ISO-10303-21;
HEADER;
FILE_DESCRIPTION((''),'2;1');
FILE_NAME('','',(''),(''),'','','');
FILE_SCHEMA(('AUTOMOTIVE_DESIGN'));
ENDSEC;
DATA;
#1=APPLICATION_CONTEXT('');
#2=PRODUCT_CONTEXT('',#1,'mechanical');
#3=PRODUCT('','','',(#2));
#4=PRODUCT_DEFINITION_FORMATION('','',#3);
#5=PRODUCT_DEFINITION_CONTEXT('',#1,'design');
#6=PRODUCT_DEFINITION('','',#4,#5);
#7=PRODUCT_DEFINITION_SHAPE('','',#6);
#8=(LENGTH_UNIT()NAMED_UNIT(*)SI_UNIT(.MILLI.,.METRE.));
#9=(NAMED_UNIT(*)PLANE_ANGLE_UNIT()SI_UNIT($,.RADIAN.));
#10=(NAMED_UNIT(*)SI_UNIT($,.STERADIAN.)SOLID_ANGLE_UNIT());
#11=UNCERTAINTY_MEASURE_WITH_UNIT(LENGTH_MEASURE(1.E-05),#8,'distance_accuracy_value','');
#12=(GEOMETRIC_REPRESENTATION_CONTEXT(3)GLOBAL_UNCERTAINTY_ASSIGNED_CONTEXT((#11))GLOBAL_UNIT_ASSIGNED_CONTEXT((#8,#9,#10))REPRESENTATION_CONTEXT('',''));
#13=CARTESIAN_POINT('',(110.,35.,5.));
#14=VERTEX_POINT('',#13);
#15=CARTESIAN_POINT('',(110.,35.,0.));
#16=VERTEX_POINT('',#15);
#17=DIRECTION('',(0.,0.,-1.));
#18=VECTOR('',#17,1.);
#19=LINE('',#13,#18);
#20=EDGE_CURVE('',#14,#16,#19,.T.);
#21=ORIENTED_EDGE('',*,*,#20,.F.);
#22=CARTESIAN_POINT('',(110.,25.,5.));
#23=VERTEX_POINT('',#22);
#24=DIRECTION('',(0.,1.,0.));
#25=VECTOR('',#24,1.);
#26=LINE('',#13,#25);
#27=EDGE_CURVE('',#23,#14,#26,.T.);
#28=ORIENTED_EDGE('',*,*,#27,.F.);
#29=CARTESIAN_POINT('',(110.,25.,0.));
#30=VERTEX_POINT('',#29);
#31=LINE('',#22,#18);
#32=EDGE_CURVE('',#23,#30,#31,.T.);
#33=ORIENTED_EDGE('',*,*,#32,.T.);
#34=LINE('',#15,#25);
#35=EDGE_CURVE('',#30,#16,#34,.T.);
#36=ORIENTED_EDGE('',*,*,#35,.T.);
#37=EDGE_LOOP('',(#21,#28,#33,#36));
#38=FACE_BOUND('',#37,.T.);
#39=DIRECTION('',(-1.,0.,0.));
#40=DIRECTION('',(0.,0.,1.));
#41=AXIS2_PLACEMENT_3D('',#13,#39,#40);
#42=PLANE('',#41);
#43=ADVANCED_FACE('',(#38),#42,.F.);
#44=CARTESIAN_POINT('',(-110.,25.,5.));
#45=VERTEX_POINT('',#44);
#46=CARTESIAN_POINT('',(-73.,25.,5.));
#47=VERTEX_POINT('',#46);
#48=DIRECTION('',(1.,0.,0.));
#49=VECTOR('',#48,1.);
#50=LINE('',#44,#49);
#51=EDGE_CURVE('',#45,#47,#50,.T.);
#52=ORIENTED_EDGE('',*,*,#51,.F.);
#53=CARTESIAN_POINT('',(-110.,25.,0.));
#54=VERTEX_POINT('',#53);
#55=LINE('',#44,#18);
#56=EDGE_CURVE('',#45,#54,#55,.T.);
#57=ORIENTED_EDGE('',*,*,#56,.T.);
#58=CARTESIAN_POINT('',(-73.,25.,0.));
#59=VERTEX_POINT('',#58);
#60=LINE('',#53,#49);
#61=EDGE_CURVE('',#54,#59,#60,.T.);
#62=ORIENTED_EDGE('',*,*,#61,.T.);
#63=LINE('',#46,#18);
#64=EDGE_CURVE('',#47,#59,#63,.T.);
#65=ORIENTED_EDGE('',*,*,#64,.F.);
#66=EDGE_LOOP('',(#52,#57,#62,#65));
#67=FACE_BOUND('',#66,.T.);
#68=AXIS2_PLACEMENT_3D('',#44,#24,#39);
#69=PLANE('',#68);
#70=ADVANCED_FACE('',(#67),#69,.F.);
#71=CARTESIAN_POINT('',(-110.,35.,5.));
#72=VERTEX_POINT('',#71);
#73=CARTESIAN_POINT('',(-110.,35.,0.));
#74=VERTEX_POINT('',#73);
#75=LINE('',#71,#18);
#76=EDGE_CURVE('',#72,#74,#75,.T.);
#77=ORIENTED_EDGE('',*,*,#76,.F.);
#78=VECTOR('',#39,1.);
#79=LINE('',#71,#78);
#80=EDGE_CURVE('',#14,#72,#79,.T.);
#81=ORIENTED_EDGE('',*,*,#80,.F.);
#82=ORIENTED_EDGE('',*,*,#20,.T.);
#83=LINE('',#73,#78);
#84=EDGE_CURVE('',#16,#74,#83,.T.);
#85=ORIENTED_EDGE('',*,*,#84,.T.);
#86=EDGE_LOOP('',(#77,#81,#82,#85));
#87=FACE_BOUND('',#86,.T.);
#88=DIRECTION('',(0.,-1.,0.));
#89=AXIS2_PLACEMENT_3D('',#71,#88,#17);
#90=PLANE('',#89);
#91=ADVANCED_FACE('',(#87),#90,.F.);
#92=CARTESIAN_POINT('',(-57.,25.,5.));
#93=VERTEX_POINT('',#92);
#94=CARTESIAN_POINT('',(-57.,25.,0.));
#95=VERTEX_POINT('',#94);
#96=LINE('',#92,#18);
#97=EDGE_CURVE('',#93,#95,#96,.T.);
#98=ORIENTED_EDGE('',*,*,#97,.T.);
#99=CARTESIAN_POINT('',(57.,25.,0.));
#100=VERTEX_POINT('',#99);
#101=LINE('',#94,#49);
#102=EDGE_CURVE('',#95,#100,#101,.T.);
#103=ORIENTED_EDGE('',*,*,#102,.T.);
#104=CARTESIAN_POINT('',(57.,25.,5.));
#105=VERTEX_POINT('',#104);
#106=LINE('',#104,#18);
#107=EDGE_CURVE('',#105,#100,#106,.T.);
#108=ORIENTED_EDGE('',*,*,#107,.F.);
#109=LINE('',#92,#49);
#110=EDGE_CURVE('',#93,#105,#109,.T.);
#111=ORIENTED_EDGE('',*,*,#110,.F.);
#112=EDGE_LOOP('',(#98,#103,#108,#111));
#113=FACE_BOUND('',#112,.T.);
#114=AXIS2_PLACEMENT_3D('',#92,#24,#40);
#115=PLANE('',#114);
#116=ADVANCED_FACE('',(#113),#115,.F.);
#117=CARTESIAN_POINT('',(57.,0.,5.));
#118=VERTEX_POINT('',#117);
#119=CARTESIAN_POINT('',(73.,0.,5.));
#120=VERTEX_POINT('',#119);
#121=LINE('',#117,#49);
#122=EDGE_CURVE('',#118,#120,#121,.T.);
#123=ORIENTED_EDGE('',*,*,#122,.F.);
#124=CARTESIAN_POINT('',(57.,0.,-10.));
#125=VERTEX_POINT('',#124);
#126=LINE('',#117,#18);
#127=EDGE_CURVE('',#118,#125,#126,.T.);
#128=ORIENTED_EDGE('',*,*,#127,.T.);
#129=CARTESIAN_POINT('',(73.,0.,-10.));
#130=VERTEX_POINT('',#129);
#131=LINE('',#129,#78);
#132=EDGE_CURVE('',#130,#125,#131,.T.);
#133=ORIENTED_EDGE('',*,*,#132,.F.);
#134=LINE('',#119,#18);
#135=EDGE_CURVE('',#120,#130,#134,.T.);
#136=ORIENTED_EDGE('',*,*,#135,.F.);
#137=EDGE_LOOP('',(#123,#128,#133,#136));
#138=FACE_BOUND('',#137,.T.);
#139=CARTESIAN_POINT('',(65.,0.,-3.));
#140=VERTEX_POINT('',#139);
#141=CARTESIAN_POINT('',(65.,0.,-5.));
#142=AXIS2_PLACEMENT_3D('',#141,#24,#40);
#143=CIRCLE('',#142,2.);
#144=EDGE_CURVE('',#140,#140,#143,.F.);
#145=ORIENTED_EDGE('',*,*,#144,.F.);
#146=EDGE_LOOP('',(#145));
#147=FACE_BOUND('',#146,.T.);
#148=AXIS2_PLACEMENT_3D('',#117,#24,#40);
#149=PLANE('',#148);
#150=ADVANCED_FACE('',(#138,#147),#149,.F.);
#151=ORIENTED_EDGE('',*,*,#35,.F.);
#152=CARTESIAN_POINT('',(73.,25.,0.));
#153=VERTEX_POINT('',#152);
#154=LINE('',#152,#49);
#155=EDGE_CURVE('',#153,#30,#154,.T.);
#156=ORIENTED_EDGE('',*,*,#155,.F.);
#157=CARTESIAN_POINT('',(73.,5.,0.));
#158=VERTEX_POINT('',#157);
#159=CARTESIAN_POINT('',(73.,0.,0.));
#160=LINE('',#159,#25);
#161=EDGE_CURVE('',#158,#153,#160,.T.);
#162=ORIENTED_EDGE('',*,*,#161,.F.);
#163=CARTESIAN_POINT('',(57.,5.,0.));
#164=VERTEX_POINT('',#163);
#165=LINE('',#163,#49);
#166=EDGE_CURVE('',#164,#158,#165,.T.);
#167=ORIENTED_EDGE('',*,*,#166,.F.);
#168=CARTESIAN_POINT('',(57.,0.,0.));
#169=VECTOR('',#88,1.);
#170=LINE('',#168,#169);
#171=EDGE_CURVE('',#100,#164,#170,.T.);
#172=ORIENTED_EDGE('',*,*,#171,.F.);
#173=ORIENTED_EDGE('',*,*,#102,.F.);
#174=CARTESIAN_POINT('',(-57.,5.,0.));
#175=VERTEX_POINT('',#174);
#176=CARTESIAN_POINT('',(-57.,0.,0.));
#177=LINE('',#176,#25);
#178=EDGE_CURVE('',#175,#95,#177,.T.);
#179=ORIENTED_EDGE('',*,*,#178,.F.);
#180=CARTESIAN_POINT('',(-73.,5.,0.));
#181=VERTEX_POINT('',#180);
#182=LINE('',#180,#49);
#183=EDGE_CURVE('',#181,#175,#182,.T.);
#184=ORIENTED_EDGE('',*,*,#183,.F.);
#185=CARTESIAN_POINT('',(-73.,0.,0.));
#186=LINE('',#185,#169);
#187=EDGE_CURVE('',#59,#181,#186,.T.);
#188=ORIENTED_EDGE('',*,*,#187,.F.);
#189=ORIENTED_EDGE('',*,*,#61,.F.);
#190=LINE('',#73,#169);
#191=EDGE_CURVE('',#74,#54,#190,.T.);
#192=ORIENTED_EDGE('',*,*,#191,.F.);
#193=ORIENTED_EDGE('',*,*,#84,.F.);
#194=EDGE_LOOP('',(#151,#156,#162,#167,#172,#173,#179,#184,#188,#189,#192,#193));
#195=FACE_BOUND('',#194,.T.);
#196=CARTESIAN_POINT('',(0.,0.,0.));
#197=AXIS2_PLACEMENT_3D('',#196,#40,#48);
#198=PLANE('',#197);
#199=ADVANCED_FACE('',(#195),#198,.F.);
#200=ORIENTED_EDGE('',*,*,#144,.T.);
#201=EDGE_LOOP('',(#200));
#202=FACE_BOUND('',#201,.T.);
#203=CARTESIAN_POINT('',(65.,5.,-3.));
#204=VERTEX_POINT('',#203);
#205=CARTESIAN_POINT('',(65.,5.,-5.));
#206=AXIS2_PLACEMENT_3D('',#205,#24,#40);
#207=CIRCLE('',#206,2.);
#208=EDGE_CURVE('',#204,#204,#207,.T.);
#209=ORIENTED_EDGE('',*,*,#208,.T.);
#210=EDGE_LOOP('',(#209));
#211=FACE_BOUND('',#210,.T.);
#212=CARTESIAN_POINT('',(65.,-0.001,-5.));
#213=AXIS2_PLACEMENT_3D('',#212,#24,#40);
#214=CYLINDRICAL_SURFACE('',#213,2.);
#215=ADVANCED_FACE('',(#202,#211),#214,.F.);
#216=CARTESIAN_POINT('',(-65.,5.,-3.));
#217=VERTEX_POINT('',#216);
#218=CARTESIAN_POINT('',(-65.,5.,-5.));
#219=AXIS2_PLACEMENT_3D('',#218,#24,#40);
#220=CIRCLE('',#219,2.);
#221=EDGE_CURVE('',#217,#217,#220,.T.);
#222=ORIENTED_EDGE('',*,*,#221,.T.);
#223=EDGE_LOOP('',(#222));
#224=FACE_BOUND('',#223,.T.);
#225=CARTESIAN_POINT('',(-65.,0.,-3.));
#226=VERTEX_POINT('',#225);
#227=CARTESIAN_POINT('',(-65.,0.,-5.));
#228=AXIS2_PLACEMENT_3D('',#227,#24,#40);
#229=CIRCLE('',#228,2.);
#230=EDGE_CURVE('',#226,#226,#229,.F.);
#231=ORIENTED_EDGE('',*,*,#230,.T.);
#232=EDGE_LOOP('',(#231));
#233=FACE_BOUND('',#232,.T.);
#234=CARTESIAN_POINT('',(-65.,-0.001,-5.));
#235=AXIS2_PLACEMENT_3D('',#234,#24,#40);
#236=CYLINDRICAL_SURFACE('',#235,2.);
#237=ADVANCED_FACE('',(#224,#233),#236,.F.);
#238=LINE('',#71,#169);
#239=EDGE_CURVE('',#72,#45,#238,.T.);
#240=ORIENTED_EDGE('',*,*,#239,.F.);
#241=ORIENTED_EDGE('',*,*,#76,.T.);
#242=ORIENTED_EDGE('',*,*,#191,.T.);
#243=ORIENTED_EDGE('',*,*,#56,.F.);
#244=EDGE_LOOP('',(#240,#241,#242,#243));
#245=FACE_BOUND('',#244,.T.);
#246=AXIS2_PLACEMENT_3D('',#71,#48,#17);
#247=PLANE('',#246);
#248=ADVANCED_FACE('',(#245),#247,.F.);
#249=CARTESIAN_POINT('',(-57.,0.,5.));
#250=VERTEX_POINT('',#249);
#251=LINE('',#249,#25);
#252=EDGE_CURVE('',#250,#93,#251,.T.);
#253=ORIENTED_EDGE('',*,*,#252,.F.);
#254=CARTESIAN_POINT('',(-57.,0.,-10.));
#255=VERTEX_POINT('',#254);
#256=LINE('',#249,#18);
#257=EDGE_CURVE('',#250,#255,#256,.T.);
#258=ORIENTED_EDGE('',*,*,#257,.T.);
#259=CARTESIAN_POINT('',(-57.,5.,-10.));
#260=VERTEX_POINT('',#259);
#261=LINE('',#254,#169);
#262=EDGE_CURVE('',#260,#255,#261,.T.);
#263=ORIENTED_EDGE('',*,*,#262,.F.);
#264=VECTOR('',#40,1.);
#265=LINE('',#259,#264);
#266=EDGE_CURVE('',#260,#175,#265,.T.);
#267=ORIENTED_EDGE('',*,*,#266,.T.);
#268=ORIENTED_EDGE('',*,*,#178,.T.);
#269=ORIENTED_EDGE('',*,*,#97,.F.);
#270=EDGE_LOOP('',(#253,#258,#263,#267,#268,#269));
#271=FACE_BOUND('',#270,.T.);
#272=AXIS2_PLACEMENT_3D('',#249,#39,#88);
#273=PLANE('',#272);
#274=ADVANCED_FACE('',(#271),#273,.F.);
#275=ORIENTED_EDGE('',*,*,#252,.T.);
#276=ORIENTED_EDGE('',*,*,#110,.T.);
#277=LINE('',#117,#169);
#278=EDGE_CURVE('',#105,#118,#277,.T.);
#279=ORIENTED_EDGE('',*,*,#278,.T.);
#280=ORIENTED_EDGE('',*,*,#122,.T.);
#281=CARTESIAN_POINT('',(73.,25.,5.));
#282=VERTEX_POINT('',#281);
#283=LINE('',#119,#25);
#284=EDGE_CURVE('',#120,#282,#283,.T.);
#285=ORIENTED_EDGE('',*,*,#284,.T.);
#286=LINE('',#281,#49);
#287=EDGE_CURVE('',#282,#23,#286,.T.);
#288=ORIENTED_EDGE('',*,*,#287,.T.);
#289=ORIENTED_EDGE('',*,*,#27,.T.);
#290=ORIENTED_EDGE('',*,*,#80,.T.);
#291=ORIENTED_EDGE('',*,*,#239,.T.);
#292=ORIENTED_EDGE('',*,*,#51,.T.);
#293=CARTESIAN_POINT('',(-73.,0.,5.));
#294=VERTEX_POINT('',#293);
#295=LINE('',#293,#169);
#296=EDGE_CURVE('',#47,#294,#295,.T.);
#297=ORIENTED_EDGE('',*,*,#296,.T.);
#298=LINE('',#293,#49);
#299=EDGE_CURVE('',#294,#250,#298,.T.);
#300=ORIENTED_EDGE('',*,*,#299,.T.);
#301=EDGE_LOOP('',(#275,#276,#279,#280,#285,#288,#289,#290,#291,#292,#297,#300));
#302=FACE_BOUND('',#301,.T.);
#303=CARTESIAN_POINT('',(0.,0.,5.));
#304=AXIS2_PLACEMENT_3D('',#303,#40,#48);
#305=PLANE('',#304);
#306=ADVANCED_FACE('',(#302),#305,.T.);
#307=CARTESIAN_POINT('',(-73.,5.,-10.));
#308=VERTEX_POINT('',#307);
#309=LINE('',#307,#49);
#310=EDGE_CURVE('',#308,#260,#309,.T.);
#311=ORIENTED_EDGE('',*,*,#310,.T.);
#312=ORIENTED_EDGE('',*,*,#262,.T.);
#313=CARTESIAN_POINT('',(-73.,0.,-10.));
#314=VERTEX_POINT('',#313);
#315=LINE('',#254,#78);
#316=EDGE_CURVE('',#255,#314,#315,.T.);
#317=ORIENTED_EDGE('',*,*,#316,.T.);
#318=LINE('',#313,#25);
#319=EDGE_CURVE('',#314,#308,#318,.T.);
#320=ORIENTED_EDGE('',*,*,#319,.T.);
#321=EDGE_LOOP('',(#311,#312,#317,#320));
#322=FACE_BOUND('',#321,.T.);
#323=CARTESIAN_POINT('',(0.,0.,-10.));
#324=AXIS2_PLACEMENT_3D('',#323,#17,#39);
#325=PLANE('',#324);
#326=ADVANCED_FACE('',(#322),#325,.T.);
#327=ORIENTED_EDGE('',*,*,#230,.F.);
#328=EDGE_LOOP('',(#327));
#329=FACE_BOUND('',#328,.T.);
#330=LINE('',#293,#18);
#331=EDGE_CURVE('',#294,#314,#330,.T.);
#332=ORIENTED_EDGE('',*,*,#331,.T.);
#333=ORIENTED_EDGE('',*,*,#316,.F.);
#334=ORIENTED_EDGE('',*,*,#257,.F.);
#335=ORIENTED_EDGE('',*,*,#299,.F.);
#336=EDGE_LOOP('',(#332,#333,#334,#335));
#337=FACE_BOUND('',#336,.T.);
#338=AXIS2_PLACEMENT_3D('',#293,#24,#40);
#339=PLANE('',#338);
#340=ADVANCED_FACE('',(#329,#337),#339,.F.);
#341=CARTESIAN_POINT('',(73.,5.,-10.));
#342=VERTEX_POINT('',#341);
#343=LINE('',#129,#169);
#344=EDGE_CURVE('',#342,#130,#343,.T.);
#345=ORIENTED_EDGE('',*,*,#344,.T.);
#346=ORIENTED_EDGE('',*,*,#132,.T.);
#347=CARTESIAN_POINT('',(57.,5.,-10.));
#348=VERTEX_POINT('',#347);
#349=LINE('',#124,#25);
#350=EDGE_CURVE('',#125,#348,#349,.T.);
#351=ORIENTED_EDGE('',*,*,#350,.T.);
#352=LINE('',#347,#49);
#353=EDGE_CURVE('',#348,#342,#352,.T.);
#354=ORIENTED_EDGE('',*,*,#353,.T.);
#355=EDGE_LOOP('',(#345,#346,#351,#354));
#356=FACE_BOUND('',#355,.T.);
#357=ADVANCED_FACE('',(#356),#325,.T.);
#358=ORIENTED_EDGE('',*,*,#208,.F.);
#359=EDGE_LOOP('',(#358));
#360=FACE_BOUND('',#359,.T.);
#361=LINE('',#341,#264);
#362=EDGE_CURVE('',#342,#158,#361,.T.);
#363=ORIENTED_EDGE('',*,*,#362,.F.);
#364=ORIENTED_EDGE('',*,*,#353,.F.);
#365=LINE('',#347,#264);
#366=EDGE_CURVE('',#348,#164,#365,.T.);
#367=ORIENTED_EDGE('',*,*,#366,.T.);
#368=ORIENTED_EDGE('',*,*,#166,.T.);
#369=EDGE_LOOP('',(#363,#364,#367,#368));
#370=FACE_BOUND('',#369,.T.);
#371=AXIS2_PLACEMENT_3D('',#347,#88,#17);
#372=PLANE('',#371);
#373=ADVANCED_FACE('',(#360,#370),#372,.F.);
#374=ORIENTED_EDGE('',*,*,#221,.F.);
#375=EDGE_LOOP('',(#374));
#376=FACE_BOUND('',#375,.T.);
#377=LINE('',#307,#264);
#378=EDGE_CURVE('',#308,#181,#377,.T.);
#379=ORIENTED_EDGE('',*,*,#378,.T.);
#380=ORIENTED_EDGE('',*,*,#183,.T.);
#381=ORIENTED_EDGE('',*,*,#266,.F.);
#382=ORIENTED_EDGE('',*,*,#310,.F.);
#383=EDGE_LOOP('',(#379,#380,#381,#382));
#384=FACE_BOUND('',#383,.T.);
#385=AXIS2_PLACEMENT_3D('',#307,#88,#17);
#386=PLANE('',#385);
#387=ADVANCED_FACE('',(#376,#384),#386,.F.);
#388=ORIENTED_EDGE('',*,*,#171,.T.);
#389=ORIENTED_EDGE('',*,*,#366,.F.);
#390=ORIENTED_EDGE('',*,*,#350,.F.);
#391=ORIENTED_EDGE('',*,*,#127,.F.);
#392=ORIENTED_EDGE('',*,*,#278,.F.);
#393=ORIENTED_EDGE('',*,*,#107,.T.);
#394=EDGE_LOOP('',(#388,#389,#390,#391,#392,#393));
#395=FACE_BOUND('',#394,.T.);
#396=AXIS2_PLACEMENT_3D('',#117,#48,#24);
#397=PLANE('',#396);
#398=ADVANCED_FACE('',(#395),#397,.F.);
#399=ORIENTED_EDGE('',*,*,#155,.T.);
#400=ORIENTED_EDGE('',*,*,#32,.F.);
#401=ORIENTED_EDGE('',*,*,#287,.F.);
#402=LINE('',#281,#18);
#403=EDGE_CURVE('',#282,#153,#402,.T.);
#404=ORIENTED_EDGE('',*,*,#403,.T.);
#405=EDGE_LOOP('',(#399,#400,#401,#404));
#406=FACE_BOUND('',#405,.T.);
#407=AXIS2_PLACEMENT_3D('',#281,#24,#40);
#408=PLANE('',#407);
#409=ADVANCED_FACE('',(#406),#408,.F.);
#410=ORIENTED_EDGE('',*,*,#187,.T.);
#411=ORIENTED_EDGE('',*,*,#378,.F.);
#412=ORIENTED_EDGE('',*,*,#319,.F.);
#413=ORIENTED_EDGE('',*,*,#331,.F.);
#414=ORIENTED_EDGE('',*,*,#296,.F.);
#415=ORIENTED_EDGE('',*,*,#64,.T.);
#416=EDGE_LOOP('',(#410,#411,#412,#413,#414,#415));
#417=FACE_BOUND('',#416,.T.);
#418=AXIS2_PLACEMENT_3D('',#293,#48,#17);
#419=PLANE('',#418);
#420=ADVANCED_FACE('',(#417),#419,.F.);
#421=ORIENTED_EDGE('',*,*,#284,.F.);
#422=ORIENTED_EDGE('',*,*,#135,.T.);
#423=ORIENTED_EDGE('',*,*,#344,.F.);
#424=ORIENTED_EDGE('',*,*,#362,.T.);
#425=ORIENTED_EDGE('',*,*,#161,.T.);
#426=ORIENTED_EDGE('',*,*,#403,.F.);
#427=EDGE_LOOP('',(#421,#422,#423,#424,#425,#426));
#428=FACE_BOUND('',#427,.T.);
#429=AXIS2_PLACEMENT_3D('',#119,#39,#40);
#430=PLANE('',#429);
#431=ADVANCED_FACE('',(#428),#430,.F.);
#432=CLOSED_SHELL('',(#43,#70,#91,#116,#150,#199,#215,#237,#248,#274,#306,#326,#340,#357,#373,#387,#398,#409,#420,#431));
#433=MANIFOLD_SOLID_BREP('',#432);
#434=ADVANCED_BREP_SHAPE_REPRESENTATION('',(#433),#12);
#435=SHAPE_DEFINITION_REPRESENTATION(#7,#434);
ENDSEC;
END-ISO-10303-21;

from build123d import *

# Parameters (mm, degrees)
SALIENTE_EXTRUIR1_DEPTH = 5
CROQUIS2_W              = 16
CROQUIS2_H              = 5
SALIENTE_EXTRUIR2_DEPTH = 10
CORTAR_EXTRUIR1_REACH   = 7
CROQUIS3_R              = 2


with BuildPart() as part:
    # Croquis1 → Saliente-Extruir1 (new body)
    with BuildSketch(Plane.XY):
        Polygon((-110, 25), (-73, 25), (-73, 0), (-57, 0), (-57, 25), (57, 25), (57, 0), (73, 0), (73, 25), (110, 25), (110, 35), (-110, 35), align=None)
    extrude(amount=SALIENTE_EXTRUIR1_DEPTH)

    # Croquis2 → Saliente-Extruir2 (add)
    with BuildSketch(Plane(origin=(0, 0, 0), x_dir=(-1, 0, 0), z_dir=(0, 0, -1))):
        with Locations((65, 2.5)):
            Rectangle(CROQUIS2_W, CROQUIS2_H)
        with Locations((-65, 2.5)):
            Rectangle(CROQUIS2_W, CROQUIS2_H)
    extrude(amount=SALIENTE_EXTRUIR2_DEPTH)

    # Croquis3 → Cortar-Extruir1 (cut, up to next)
    with BuildSketch(Plane(origin=(0, 5, 0), x_dir=(1, 0, 0), z_dir=(0, 1, 0)), mode=Mode.PRIVATE) as cortar_extruir1_sk1:
        with Locations((65, 5)):
            Circle(CROQUIS3_R)
    cortar_extruir1_tool1 = extrude(cortar_extruir1_sk1.sketch, amount=-CORTAR_EXTRUIR1_REACH, mode=Mode.PRIVATE) & part.part
    add(cortar_extruir1_tool1.solids().sort_by_distance((65, 5, -5))[0], mode=Mode.SUBTRACT)
    # Croquis3 → Cortar-Extruir1 (cut, up to next)
    with BuildSketch(Plane(origin=(0, 5, 0), x_dir=(1, 0, 0), z_dir=(0, 1, 0)), mode=Mode.PRIVATE) as cortar_extruir1_sk2:
        with Locations((-65, 5)):
            Circle(CROQUIS3_R)
    cortar_extruir1_tool2 = extrude(cortar_extruir1_sk2.sketch, amount=-CORTAR_EXTRUIR1_REACH, mode=Mode.PRIVATE) & part.part
    add(cortar_extruir1_tool2.solids().sort_by_distance((-65, 5, -5))[0], mode=Mode.SUBTRACT)


solid = part.part
